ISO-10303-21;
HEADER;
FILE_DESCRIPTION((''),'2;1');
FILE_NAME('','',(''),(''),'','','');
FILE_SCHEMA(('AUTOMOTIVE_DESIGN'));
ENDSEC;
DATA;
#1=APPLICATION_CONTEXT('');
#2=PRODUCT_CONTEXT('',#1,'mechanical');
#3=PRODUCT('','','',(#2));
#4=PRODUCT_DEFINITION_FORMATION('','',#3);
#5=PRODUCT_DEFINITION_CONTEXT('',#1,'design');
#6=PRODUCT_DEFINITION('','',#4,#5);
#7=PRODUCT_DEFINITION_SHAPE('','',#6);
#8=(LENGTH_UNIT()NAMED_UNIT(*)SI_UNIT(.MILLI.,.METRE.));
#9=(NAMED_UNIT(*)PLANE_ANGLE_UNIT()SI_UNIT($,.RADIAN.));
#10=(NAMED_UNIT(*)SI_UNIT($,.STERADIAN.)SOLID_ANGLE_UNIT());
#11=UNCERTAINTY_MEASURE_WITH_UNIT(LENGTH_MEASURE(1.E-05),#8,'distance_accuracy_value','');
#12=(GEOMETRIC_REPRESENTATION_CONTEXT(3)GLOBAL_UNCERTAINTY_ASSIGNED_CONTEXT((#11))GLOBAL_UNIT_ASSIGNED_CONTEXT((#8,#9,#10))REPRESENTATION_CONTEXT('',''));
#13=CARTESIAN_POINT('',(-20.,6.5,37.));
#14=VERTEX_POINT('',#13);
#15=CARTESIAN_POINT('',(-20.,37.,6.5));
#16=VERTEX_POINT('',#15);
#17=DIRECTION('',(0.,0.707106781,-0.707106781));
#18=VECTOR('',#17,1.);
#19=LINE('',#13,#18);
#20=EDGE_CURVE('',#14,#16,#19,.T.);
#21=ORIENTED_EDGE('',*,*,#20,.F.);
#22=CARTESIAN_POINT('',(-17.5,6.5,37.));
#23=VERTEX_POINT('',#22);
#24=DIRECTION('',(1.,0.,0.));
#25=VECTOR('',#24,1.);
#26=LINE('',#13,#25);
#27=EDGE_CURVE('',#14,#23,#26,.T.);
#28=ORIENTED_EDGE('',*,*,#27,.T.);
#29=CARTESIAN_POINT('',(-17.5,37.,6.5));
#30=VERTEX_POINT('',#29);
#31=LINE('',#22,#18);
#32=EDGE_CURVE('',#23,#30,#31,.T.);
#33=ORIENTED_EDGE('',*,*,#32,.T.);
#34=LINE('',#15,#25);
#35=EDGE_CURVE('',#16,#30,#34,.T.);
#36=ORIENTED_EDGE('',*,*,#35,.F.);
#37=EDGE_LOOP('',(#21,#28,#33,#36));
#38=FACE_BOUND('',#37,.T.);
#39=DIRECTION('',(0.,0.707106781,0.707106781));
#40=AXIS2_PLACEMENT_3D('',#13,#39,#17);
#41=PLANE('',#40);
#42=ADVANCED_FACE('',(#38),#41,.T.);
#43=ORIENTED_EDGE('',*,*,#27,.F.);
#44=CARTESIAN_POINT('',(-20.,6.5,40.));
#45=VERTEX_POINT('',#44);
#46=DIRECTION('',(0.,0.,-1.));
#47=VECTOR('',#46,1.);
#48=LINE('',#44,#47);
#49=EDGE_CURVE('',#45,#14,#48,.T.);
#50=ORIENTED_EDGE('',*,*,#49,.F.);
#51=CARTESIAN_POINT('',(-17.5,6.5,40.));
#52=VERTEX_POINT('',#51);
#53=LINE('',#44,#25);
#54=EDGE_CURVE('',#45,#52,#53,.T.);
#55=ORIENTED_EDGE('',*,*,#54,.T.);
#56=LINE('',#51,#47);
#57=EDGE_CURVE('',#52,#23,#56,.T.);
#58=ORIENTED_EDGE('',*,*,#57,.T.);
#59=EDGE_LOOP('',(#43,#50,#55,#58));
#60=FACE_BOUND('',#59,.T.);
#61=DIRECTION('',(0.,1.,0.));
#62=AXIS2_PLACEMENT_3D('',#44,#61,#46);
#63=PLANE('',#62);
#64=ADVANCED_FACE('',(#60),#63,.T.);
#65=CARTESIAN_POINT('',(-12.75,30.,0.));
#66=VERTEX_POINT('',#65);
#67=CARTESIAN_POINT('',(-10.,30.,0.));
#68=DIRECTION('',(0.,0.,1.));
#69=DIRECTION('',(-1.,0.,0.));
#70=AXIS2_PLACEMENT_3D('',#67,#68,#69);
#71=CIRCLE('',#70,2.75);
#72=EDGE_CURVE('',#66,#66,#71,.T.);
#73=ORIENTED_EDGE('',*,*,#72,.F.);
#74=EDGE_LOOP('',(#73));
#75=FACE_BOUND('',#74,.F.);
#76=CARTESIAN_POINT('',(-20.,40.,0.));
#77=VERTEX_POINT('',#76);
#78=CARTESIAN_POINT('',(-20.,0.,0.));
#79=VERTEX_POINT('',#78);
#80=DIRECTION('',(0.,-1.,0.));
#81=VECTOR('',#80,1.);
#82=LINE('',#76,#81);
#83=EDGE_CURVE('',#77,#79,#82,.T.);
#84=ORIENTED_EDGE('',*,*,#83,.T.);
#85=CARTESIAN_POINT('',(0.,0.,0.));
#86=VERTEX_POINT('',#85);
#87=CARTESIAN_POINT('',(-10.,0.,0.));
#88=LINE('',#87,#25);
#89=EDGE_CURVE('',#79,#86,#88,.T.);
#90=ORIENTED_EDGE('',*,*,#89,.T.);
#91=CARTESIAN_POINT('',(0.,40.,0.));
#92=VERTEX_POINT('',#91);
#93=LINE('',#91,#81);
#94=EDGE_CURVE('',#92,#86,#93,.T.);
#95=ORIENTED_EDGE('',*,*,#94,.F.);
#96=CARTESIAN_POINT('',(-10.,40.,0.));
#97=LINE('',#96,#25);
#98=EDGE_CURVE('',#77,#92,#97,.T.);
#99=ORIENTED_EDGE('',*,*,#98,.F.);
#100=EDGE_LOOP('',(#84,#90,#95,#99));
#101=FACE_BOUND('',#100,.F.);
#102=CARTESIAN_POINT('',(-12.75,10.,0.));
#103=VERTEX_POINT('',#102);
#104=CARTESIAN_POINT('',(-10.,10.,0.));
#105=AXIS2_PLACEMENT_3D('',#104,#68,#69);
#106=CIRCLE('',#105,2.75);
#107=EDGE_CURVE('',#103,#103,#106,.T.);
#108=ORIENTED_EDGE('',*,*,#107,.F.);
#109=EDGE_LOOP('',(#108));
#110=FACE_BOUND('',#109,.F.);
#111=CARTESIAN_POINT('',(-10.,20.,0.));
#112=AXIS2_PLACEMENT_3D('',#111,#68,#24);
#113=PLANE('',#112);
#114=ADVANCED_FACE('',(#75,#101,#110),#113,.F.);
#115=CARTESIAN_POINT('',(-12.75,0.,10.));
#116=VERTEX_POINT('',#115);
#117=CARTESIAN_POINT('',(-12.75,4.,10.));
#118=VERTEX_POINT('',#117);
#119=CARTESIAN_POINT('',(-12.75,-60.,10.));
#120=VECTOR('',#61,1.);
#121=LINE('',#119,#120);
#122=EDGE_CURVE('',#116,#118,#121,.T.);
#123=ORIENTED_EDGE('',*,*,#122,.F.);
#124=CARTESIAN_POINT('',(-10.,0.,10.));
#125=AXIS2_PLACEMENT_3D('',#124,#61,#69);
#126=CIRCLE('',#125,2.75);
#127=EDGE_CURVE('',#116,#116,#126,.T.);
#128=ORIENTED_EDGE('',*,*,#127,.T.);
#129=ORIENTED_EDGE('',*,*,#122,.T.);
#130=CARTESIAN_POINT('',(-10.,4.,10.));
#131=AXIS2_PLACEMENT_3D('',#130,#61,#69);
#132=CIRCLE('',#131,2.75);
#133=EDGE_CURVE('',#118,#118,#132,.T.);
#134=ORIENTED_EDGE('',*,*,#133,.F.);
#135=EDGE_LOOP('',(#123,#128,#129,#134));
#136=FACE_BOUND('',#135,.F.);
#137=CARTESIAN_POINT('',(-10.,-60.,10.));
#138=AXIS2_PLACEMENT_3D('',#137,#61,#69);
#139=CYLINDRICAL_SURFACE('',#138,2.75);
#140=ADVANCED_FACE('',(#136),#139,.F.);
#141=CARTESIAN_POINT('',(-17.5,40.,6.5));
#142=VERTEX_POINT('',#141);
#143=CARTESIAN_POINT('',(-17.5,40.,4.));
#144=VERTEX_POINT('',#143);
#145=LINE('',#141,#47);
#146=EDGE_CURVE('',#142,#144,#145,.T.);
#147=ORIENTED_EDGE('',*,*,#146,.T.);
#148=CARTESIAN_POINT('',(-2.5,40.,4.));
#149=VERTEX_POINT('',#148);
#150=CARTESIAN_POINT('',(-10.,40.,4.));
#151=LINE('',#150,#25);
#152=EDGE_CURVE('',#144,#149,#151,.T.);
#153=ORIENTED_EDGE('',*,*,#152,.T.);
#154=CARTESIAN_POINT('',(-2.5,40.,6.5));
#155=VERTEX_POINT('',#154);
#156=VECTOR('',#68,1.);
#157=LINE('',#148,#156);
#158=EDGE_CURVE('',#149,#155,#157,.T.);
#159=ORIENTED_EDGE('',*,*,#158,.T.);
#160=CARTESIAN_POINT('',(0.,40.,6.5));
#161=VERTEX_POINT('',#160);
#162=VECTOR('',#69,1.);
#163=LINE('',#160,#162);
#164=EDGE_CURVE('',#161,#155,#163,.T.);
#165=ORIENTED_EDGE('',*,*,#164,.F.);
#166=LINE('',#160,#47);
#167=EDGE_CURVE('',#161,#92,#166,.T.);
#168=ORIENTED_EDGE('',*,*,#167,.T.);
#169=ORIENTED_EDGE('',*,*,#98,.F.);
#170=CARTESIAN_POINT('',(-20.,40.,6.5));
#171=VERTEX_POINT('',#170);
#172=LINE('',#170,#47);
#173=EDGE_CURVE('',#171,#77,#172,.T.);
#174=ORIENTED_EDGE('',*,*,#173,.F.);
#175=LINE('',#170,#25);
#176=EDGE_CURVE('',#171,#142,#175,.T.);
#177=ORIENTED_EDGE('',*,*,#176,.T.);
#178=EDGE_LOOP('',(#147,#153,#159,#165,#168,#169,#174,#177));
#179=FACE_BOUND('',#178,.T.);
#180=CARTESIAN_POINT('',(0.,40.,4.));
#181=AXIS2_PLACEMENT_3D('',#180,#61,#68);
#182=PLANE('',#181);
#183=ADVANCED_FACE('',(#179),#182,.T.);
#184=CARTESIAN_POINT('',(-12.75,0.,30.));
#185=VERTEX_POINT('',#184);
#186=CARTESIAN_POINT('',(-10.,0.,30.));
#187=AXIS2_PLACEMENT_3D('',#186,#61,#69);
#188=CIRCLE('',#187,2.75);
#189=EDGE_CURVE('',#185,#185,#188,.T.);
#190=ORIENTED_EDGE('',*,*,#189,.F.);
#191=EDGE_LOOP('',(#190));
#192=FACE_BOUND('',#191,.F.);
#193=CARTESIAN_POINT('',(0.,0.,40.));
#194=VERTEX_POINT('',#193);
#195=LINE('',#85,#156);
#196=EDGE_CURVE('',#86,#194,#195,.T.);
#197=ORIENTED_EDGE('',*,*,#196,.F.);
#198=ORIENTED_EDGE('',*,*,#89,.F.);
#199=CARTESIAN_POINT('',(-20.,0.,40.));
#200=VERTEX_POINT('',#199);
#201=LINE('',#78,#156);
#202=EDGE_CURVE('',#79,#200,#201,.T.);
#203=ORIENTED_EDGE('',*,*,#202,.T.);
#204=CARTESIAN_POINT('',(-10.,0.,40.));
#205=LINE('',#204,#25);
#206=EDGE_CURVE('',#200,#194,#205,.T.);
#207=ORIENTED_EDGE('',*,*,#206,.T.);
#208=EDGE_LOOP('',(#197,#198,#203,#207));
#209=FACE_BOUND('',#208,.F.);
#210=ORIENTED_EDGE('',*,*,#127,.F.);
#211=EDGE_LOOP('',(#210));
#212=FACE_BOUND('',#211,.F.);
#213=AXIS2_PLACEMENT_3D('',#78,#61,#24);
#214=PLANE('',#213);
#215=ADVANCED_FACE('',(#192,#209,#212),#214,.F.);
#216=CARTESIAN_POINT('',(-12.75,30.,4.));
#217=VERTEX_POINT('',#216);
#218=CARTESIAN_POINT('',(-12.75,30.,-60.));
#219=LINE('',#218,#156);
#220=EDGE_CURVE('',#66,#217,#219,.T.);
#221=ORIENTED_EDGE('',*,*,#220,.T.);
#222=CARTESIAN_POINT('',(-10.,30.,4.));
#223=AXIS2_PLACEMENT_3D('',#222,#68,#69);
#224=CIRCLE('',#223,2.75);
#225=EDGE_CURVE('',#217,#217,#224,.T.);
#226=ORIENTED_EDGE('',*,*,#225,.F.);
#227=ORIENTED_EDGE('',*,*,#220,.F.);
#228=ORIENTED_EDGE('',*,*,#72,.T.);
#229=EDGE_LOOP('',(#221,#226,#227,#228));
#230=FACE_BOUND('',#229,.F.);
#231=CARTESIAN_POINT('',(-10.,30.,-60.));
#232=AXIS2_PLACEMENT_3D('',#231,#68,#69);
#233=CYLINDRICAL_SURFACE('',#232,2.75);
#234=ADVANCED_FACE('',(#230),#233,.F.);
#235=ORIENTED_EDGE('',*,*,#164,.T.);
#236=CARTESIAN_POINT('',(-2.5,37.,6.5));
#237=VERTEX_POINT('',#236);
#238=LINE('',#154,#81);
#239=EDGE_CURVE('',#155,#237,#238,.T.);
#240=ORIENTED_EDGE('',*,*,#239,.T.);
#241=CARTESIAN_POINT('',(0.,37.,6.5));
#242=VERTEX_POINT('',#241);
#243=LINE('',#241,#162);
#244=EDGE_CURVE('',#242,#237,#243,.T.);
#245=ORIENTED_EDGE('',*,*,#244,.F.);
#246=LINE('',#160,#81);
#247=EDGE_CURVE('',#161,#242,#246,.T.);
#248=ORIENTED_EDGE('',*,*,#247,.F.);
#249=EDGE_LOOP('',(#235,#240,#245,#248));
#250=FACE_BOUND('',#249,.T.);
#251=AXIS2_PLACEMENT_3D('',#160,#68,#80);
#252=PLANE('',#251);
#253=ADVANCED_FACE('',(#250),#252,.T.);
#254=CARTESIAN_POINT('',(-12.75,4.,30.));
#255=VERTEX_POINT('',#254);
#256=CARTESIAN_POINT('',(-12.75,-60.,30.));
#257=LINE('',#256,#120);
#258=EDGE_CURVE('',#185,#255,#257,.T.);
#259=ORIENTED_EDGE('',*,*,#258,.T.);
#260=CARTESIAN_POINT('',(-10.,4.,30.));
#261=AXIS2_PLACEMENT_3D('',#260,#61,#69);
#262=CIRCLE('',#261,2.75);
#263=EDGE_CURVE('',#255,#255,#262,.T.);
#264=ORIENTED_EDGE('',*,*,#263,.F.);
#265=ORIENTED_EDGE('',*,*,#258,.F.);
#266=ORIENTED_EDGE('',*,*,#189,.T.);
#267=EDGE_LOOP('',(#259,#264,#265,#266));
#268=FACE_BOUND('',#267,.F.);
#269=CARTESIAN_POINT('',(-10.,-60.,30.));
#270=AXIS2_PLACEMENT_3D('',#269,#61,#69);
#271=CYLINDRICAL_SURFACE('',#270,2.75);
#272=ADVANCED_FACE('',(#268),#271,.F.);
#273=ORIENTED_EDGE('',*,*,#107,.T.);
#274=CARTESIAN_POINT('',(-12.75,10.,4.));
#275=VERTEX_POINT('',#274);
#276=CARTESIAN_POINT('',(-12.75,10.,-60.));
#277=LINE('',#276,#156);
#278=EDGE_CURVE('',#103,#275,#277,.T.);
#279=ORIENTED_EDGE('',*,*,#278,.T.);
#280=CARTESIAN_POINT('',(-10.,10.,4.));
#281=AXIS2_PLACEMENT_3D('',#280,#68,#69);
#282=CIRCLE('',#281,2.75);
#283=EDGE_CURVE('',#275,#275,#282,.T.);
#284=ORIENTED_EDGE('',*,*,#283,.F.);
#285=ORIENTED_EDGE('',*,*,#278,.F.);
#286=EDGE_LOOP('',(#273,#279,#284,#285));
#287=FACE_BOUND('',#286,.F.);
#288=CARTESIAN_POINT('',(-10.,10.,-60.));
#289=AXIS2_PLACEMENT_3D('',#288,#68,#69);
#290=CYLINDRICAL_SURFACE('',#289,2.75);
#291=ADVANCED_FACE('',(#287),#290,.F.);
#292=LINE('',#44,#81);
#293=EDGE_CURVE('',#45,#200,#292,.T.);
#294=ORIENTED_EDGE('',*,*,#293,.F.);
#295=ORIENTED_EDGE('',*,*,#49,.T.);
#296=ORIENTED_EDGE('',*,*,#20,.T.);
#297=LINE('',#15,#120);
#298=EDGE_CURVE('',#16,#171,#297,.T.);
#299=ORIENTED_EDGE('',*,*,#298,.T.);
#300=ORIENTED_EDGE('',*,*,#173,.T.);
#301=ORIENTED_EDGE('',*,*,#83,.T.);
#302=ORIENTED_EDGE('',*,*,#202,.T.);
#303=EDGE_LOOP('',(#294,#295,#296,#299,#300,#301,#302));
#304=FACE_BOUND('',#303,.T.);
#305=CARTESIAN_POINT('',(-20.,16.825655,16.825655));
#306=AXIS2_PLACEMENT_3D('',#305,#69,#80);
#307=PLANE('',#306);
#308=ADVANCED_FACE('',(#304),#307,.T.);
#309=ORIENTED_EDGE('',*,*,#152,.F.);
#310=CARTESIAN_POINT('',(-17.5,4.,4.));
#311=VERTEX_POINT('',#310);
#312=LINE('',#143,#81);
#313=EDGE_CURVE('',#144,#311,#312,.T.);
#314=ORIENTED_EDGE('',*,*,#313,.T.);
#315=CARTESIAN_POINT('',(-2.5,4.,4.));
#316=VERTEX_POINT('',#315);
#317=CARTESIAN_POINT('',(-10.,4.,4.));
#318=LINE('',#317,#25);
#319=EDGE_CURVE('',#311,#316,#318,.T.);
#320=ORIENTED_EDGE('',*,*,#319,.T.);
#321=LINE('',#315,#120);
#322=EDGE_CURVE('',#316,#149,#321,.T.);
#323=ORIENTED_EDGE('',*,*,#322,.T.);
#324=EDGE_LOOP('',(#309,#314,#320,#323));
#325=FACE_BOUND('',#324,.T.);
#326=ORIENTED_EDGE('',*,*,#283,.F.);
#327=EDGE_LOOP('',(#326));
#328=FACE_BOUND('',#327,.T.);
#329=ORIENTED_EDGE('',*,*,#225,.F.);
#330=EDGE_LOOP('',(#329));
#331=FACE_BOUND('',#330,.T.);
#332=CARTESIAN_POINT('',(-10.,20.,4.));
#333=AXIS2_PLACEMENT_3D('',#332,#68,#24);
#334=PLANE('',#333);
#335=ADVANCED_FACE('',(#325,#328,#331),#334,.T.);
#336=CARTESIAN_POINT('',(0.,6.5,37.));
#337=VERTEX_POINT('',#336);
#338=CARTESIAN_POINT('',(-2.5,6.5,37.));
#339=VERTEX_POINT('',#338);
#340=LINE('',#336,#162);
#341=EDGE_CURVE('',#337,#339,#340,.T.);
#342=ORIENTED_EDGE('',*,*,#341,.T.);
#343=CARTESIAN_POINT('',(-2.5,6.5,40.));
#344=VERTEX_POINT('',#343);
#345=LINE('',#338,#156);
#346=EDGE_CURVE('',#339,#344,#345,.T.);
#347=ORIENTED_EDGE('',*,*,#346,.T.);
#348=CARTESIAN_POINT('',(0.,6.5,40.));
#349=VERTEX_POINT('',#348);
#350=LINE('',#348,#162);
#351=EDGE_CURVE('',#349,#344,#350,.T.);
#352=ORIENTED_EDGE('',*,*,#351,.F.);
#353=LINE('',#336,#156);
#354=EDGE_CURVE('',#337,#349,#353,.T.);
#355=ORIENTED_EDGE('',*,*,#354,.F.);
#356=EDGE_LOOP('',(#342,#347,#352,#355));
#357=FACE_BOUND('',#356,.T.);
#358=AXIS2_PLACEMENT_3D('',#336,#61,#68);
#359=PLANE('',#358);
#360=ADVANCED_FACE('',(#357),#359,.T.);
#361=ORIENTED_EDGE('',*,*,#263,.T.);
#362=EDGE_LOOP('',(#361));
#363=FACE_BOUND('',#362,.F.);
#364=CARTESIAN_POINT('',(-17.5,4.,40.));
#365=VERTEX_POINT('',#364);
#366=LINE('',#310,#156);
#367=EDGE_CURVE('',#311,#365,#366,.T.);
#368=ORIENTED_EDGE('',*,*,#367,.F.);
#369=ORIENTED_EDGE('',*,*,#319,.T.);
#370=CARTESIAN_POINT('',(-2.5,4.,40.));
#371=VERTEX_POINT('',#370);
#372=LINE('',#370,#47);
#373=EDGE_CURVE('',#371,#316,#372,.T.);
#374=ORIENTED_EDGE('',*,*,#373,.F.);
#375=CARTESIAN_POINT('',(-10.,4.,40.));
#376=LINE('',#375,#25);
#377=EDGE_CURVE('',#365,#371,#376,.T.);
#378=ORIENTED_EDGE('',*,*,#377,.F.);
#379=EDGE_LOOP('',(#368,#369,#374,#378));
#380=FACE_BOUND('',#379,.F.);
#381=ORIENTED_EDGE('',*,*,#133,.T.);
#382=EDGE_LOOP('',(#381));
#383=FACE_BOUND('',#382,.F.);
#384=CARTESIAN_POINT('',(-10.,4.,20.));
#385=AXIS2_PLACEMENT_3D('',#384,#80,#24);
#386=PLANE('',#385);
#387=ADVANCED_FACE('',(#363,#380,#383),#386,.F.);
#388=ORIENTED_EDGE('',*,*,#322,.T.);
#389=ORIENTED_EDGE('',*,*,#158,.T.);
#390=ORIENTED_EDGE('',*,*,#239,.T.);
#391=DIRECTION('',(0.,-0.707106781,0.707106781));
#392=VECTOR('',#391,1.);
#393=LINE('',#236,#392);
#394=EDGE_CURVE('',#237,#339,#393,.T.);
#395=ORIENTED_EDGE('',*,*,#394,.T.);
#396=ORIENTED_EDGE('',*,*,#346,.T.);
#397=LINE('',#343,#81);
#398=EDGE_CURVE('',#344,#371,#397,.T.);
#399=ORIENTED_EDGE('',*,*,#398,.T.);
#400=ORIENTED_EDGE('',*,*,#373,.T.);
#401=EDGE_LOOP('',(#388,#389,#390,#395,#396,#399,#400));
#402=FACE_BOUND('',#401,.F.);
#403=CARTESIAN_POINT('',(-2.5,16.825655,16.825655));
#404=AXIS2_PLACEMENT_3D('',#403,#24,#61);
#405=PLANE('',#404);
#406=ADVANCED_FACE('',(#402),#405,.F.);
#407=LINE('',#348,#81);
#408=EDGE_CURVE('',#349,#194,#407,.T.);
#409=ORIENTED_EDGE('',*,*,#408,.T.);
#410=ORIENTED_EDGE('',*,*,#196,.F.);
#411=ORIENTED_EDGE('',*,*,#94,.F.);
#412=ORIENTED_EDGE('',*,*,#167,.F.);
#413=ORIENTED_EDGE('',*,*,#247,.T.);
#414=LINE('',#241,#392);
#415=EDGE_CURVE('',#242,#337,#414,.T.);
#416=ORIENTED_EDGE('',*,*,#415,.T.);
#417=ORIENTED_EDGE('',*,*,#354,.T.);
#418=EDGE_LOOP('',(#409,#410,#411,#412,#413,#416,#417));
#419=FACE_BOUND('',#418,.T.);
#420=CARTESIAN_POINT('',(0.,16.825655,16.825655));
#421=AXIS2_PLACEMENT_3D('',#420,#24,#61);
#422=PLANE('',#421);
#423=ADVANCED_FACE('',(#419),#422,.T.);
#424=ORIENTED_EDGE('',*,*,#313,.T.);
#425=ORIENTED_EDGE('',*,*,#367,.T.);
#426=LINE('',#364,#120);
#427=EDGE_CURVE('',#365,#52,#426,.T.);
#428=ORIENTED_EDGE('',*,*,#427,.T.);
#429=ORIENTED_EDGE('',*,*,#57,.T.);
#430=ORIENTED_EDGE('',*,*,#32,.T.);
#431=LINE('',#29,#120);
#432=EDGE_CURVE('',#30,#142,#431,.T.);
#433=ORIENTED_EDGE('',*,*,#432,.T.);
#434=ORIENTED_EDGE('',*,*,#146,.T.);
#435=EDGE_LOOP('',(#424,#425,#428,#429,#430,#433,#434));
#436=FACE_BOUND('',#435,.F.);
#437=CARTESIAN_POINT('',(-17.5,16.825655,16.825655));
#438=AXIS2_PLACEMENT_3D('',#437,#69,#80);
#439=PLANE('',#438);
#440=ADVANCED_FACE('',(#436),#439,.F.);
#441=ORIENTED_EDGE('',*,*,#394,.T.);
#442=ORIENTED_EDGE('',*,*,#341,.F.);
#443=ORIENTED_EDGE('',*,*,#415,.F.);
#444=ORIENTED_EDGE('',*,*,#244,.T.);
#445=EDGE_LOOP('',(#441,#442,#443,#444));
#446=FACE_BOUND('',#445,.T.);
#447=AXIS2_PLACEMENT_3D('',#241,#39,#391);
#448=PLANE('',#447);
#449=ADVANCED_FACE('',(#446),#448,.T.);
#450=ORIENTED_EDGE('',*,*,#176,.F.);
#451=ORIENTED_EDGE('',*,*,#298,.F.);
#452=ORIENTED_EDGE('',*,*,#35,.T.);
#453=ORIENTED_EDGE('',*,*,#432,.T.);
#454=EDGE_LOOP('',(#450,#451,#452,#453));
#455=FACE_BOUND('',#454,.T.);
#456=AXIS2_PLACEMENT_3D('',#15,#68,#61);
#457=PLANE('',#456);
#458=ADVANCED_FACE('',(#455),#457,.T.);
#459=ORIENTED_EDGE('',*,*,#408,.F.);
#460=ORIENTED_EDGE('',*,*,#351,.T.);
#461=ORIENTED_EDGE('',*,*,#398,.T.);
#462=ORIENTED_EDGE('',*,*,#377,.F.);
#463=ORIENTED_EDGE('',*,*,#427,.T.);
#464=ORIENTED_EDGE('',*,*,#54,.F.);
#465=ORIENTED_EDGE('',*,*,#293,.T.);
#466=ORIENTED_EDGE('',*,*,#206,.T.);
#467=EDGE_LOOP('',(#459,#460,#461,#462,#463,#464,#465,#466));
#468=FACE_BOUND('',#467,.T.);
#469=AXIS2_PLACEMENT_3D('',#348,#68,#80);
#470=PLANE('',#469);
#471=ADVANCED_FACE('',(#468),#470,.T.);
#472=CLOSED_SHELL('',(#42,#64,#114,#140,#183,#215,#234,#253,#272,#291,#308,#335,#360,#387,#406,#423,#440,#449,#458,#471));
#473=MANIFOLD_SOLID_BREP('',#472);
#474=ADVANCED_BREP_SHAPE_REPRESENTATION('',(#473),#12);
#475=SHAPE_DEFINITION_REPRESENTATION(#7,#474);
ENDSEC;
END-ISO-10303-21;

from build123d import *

# Parameters (mm, degrees)
F0_W     = 20
F0_H     = 40
F1_DEPTH = 4
F2_W     = 20
F2_H     = 40
F3_DEPTH = 4
F7_DEPTH = 2.5
F8_DEPTH = 2.5
F9_D     = 5.5
F11_D    = 5.5


with BuildPart() as f1:
    # F0 (on Top) → F1 (new body)
    with BuildSketch(Plane.XY):
        with Locations((-10, 20)):
            Rectangle(F0_W, F0_H)
    extrude(amount=F1_DEPTH)

    # F2 (on Front) → F3 (join)
    with BuildSketch(Plane.XZ):
        with Locations((-10, 20)):
            Rectangle(F2_W, F2_H)
    extrude(amount=-F3_DEPTH)

    # F6 (on face) → F7 (join)
    with BuildSketch(Plane(origin=(-20, 0, 0), x_dir=(0, -1, 0), z_dir=(-1, 0, 0))):
        Polygon((-4, 4), (-4, 40), (-6.5, 40), (-6.5, 37), (-37, 6.5), (-40, 6.5), (-40, 4), align=None)
    extrude(amount=-F7_DEPTH)

    # F5 (on face) → F8 (join)
    with BuildSketch(Plane.YZ):
        Polygon((4, 4), (40, 4), (40, 6.5), (37, 6.5), (6.5, 37), (6.5, 40), (4, 40), align=None)
    extrude(amount=-F8_DEPTH)

    # F9 (through all)
    with Locations(Plane.XZ):
        with Locations((-10, 30), (-10, 10)):
            Hole(F9_D / 2)

    # F11 (through all)
    with Locations(Plane(origin=(0, 0, 0), x_dir=(1, 0, 0), z_dir=(0, 0, -1))):
        with Locations((-10, -30), (-10, -10)):
            Hole(F11_D / 2)


solid = f1.part
